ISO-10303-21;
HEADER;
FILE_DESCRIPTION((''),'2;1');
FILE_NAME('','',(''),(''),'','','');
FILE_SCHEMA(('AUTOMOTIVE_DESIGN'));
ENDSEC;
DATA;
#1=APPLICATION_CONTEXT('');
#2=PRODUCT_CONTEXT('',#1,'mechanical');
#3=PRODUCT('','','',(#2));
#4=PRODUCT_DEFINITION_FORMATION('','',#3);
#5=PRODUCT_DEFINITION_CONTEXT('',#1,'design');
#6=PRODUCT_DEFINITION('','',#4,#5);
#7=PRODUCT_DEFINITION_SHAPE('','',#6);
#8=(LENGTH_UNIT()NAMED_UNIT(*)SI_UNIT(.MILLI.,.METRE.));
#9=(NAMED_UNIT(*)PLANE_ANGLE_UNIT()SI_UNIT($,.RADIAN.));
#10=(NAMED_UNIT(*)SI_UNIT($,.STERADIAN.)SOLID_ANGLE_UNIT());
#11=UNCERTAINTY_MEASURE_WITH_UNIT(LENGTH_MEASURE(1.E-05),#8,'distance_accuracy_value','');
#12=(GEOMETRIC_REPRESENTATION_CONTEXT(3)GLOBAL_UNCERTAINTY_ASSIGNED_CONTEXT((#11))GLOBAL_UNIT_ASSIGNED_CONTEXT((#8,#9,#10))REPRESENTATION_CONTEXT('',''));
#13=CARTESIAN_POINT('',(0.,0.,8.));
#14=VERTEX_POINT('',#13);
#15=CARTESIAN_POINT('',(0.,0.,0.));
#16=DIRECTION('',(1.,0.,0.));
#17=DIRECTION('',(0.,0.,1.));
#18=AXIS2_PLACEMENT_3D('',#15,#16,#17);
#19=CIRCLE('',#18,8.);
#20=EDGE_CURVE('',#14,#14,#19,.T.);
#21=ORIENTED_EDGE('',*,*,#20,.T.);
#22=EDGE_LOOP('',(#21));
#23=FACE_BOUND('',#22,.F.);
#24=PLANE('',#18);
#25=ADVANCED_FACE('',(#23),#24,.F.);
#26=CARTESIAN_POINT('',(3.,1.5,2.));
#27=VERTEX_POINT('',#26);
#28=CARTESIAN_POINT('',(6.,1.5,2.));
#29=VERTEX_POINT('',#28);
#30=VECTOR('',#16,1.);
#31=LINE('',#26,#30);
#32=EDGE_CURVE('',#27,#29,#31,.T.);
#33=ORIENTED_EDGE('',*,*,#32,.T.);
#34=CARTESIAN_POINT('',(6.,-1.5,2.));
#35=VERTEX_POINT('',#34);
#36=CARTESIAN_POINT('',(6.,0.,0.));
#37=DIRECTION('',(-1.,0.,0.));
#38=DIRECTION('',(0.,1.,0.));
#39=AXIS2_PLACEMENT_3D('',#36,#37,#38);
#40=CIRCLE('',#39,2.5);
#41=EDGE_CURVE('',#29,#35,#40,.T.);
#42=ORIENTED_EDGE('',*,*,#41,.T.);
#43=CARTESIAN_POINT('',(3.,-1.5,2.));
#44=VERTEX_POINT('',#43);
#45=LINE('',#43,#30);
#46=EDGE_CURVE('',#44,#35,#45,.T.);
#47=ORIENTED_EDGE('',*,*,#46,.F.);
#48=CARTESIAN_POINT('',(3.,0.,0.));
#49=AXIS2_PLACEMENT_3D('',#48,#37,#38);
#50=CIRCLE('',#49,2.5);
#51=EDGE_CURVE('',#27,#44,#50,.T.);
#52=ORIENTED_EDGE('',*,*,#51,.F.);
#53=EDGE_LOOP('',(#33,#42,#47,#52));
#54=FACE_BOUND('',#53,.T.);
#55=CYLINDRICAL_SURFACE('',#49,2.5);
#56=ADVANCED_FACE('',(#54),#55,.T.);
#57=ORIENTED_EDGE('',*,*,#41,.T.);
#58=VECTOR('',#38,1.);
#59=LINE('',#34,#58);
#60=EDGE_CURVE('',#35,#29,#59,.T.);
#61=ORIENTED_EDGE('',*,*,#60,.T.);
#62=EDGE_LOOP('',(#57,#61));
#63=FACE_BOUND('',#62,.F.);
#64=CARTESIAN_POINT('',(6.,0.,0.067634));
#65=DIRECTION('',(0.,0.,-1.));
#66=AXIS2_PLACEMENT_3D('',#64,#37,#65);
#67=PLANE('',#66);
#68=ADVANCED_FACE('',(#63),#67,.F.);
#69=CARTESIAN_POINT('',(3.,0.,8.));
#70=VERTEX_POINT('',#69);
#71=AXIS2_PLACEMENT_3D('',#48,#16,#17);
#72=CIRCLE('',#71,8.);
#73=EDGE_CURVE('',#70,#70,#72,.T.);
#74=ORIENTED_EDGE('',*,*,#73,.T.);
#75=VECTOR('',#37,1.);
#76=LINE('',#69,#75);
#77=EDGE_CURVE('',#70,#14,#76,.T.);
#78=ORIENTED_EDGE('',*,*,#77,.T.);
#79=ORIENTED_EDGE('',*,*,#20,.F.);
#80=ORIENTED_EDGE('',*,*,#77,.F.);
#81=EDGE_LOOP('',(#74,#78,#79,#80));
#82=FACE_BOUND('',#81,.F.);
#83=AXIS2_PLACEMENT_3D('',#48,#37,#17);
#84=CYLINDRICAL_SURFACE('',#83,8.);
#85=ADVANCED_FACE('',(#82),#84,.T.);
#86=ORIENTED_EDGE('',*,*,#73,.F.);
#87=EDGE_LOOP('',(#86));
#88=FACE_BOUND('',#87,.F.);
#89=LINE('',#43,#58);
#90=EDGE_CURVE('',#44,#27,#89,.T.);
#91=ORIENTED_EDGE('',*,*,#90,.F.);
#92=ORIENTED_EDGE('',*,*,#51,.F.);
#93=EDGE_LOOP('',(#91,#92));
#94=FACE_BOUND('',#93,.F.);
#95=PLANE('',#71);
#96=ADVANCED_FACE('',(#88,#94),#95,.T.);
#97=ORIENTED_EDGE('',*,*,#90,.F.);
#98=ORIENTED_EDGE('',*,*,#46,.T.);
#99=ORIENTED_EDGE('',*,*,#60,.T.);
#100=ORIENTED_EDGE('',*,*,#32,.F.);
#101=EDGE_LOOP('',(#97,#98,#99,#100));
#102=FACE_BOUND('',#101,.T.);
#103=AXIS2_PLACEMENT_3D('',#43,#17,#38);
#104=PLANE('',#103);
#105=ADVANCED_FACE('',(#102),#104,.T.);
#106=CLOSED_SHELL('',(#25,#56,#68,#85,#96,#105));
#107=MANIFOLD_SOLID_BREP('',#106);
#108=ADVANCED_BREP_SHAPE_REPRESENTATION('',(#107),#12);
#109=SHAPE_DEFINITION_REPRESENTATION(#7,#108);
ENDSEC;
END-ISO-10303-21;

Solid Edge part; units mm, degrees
sketch "Sketch1" plane through (0, 0, 0) normal (0, -1, 0) x (1, 0, 0)
  line L0 (3, 0) -> (3, 8)
  line L1 (3, 8) -> (0, 8)
  line L2 (0, 8) -> (0, 0)
  dimension "D1" = 3
revolve "RevolvedProtrusion1" add sketch "Sketch1" angle 360 about axis through (0, 0, 0) along (1, 0, 0)
sketch "Sketch2" plane through (3, 0, 0) normal (1, 0, 0) x (0, 1, 0)
  line L0 (-1.5, 2) -> (1.5, 2)
  arc A0 (1.5, 2) -> (-1.5, 2) centre (0, 0) cw
extrude "Protrusion1" add sketch "Sketch2" along normal blind 3
